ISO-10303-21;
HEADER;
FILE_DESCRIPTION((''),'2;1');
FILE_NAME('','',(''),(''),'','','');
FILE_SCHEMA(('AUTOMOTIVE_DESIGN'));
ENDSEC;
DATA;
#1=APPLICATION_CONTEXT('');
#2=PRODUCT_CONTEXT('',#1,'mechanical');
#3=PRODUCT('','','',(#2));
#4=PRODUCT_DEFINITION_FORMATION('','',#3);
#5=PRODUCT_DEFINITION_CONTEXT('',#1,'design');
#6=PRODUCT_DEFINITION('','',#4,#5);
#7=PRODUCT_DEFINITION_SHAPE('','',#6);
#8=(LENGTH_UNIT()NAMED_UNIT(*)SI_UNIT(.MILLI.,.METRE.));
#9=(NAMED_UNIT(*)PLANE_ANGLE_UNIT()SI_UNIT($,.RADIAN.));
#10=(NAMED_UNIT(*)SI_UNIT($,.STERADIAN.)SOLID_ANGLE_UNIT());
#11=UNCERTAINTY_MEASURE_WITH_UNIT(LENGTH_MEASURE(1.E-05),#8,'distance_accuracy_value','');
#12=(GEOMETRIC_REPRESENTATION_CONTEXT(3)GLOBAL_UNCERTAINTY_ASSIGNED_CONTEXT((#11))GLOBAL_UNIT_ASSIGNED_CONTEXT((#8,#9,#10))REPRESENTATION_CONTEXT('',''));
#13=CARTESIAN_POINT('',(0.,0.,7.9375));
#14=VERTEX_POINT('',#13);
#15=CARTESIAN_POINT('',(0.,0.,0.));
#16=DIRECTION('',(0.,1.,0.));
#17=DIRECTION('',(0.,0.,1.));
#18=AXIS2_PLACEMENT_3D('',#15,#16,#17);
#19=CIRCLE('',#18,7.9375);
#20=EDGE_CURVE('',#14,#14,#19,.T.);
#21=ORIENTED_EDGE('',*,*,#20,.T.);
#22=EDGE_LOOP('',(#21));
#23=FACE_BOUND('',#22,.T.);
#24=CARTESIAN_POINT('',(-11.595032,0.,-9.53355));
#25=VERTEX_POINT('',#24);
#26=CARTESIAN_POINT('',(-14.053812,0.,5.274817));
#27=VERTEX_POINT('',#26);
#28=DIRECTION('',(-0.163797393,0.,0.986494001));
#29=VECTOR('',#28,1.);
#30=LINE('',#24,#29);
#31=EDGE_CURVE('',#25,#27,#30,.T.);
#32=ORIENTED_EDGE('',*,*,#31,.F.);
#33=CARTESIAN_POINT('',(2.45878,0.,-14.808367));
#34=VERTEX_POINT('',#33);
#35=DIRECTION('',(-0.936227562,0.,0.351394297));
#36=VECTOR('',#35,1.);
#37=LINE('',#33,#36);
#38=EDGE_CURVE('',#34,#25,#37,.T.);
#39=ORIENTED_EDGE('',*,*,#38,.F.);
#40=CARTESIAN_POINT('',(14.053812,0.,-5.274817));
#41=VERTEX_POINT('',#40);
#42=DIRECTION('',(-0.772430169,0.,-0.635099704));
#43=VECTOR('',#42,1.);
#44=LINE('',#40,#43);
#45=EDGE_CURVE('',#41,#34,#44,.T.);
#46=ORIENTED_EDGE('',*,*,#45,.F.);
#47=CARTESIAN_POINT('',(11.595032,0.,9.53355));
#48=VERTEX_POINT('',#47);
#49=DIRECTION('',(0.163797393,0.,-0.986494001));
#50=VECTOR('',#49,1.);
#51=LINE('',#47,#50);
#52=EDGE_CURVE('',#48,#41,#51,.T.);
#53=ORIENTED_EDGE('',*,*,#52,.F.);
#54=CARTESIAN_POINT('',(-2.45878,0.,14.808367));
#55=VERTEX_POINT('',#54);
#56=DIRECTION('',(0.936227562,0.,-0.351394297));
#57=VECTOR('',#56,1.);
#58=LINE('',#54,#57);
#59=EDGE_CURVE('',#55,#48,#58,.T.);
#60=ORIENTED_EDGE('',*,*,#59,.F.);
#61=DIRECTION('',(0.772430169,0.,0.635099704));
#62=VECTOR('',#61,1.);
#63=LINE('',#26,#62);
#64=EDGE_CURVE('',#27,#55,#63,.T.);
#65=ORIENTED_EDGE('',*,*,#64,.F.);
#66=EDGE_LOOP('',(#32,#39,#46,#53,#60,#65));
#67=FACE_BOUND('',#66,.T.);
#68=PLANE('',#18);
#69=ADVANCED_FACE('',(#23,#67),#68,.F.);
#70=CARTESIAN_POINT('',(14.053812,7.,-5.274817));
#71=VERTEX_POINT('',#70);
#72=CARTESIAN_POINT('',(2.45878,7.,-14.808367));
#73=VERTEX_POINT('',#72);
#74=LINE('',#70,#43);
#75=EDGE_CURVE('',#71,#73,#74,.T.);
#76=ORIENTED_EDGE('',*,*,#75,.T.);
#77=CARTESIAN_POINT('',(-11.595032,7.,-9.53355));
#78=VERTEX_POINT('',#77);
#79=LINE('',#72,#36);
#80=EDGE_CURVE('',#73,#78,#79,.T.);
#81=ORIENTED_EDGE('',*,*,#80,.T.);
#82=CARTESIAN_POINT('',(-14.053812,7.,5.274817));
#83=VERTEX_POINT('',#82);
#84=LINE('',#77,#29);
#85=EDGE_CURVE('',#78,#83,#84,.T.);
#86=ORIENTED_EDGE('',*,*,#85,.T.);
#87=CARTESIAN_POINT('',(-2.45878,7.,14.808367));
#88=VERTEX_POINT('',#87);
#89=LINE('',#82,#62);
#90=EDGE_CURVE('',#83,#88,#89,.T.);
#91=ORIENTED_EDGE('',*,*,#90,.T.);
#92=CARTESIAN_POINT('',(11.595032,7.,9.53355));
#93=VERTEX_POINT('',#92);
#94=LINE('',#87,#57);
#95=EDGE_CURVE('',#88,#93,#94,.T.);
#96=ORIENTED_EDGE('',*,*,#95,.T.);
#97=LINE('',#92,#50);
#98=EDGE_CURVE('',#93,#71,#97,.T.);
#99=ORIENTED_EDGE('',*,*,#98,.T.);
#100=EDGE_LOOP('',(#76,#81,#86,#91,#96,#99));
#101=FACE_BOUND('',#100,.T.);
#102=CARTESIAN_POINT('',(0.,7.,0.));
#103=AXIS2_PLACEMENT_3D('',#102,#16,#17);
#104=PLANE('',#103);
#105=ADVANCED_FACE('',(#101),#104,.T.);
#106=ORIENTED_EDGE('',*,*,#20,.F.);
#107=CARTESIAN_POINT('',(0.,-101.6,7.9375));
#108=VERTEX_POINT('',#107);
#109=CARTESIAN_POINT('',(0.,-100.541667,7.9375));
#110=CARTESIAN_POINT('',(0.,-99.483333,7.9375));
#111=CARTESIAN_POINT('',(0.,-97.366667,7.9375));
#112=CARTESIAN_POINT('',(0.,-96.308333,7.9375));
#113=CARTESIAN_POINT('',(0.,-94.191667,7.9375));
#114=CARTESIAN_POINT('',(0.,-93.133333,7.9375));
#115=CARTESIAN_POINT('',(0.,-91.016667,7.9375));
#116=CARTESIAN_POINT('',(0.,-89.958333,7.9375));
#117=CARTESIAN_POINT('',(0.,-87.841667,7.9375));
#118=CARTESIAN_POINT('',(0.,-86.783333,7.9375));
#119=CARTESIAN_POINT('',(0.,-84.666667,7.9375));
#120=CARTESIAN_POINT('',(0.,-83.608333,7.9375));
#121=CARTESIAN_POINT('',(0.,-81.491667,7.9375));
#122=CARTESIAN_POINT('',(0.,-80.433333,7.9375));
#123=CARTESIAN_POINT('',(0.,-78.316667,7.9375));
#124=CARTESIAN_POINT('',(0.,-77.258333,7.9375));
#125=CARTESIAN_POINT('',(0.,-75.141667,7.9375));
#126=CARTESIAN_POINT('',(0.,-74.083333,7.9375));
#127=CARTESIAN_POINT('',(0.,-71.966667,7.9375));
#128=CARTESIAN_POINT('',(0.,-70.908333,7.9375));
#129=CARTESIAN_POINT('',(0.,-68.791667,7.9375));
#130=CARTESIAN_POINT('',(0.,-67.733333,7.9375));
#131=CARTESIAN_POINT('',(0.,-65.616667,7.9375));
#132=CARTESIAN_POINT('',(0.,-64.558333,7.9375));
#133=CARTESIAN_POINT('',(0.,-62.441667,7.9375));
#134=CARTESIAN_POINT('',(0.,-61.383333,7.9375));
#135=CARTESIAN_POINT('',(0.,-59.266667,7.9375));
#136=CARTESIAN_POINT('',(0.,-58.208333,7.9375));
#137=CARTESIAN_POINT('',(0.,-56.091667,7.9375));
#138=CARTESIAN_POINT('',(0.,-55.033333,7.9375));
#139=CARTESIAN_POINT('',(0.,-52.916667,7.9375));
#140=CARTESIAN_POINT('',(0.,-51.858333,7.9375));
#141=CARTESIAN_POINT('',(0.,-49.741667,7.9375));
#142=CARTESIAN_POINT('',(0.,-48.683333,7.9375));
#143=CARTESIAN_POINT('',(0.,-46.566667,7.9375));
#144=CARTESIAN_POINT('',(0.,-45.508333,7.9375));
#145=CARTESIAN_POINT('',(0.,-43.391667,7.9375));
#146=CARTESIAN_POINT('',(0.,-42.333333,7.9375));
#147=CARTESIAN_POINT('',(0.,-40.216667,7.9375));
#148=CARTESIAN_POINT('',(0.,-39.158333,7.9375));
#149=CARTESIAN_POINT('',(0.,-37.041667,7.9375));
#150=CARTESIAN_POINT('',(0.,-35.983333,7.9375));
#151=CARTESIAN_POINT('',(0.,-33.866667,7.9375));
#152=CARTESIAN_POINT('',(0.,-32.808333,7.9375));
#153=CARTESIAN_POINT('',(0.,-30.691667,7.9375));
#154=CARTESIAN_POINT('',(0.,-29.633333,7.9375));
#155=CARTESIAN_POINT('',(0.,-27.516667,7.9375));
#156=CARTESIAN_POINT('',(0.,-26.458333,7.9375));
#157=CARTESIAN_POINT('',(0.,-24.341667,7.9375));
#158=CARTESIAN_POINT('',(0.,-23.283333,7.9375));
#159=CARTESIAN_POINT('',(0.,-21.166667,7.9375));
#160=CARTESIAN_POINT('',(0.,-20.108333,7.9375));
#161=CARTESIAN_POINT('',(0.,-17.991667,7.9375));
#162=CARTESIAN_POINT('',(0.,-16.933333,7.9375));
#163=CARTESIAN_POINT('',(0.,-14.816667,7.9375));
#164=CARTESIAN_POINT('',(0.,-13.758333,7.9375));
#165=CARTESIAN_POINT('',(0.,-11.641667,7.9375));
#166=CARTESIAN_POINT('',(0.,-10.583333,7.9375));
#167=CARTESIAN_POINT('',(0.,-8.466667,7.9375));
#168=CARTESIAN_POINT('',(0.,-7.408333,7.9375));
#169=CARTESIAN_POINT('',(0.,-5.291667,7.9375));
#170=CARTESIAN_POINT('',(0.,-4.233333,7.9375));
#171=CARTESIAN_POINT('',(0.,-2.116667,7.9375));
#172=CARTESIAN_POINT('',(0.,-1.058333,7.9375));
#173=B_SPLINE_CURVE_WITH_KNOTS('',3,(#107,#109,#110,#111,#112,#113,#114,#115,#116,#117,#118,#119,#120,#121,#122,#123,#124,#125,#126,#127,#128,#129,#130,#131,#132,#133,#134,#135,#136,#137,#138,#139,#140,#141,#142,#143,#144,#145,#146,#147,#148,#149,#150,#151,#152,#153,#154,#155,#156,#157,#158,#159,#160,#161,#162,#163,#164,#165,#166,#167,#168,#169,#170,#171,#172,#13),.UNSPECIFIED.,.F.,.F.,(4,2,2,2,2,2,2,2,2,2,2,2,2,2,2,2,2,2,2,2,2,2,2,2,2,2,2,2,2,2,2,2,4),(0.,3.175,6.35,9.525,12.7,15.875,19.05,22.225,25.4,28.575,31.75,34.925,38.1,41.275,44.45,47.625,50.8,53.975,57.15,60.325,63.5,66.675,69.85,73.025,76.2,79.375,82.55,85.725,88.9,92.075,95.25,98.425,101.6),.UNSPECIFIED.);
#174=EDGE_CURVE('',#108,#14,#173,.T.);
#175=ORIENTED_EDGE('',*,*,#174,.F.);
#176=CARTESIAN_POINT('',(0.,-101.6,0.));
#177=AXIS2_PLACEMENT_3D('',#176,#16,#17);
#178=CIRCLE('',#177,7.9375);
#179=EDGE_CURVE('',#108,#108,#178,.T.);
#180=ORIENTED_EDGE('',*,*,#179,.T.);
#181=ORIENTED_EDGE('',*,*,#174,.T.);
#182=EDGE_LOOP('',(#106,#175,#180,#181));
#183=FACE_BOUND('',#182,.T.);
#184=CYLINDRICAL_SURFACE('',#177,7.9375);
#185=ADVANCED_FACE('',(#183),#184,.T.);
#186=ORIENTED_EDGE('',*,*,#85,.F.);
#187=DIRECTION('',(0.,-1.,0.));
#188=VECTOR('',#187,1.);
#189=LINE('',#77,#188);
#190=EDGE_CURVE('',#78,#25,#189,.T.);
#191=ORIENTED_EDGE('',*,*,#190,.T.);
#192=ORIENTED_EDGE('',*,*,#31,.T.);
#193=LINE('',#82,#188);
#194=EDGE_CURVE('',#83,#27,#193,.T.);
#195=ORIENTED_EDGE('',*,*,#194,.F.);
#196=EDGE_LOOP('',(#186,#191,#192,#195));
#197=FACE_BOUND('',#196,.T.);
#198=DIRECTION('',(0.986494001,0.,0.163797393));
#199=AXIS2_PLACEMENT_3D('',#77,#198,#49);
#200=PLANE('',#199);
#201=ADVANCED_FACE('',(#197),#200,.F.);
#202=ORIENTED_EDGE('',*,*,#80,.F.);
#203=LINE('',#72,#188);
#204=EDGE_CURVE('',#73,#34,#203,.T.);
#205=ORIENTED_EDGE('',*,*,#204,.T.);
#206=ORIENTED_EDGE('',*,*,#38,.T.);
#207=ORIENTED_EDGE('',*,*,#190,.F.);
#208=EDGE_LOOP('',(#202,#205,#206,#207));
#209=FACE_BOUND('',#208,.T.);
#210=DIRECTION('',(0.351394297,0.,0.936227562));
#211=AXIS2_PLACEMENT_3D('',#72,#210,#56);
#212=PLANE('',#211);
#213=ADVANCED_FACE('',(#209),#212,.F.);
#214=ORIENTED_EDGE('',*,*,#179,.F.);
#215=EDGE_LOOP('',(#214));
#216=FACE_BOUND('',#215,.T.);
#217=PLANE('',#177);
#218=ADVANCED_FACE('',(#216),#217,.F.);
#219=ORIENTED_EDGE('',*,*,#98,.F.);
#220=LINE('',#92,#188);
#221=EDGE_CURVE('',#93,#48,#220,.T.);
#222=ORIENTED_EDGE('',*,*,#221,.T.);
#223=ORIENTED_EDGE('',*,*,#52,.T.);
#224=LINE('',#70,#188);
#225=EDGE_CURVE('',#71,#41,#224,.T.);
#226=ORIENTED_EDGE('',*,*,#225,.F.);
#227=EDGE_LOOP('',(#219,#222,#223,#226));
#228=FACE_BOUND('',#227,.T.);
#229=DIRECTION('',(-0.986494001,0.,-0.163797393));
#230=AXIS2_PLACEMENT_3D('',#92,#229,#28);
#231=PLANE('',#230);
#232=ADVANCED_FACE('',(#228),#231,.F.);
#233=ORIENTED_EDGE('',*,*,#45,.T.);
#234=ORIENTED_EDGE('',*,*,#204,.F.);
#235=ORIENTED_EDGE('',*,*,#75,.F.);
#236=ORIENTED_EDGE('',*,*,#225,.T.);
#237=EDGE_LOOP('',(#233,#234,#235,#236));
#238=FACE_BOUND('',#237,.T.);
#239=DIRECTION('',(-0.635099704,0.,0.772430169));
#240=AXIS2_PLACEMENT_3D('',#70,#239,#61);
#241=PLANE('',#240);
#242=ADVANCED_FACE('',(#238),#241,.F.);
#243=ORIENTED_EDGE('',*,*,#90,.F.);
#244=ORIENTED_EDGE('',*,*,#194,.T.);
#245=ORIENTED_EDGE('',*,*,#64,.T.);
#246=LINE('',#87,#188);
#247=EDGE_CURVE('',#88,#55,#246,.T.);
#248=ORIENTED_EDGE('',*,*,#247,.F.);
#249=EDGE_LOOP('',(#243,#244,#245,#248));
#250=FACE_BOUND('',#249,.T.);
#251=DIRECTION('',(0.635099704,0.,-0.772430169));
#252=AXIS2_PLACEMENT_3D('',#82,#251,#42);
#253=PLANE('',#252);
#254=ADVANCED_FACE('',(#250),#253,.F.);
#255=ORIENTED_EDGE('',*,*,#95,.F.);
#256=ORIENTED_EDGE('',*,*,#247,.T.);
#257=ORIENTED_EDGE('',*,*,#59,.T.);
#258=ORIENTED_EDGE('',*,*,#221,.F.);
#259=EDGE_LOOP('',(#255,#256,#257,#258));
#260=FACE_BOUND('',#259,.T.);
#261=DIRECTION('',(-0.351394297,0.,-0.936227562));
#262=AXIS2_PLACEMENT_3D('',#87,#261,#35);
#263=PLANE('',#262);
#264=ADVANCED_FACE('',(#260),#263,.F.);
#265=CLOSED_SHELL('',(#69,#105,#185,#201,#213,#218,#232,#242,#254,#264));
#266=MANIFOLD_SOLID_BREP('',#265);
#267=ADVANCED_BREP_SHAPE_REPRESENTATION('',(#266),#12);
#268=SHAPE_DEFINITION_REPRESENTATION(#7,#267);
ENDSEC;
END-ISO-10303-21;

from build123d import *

# Parameters (mm, degrees)
SKETCH1_R   = 7.9375
SHAFT_DEPTH = 101.6
HEAD_DEPTH  = 7


with BuildPart() as part:
    # Sketch1 → Shaft (new body)
    with BuildSketch(Plane(origin=(0, 0, 0), x_dir=(1, 0, 0), z_dir=(0, 1, 0))):
        with Locations(Location((0, 0, 0), (0, 0, 270))):
            Circle(SKETCH1_R)
    extrude(amount=-SHAFT_DEPTH)

    # Sketch2 → Head (add)
    with BuildSketch(Plane(origin=(0, 0, 0), x_dir=(1, 0, 0), z_dir=(0, 1, 0))):
        Polygon((11.595031913, -9.533549616), (14.053812112, 5.274817386), (2.458780199, 14.808367002), (-11.595031913, 9.533549616), (-14.053812112, -5.274817386), (-2.458780199, -14.808367002), align=None)
    extrude(amount=HEAD_DEPTH)


solid = part.part
